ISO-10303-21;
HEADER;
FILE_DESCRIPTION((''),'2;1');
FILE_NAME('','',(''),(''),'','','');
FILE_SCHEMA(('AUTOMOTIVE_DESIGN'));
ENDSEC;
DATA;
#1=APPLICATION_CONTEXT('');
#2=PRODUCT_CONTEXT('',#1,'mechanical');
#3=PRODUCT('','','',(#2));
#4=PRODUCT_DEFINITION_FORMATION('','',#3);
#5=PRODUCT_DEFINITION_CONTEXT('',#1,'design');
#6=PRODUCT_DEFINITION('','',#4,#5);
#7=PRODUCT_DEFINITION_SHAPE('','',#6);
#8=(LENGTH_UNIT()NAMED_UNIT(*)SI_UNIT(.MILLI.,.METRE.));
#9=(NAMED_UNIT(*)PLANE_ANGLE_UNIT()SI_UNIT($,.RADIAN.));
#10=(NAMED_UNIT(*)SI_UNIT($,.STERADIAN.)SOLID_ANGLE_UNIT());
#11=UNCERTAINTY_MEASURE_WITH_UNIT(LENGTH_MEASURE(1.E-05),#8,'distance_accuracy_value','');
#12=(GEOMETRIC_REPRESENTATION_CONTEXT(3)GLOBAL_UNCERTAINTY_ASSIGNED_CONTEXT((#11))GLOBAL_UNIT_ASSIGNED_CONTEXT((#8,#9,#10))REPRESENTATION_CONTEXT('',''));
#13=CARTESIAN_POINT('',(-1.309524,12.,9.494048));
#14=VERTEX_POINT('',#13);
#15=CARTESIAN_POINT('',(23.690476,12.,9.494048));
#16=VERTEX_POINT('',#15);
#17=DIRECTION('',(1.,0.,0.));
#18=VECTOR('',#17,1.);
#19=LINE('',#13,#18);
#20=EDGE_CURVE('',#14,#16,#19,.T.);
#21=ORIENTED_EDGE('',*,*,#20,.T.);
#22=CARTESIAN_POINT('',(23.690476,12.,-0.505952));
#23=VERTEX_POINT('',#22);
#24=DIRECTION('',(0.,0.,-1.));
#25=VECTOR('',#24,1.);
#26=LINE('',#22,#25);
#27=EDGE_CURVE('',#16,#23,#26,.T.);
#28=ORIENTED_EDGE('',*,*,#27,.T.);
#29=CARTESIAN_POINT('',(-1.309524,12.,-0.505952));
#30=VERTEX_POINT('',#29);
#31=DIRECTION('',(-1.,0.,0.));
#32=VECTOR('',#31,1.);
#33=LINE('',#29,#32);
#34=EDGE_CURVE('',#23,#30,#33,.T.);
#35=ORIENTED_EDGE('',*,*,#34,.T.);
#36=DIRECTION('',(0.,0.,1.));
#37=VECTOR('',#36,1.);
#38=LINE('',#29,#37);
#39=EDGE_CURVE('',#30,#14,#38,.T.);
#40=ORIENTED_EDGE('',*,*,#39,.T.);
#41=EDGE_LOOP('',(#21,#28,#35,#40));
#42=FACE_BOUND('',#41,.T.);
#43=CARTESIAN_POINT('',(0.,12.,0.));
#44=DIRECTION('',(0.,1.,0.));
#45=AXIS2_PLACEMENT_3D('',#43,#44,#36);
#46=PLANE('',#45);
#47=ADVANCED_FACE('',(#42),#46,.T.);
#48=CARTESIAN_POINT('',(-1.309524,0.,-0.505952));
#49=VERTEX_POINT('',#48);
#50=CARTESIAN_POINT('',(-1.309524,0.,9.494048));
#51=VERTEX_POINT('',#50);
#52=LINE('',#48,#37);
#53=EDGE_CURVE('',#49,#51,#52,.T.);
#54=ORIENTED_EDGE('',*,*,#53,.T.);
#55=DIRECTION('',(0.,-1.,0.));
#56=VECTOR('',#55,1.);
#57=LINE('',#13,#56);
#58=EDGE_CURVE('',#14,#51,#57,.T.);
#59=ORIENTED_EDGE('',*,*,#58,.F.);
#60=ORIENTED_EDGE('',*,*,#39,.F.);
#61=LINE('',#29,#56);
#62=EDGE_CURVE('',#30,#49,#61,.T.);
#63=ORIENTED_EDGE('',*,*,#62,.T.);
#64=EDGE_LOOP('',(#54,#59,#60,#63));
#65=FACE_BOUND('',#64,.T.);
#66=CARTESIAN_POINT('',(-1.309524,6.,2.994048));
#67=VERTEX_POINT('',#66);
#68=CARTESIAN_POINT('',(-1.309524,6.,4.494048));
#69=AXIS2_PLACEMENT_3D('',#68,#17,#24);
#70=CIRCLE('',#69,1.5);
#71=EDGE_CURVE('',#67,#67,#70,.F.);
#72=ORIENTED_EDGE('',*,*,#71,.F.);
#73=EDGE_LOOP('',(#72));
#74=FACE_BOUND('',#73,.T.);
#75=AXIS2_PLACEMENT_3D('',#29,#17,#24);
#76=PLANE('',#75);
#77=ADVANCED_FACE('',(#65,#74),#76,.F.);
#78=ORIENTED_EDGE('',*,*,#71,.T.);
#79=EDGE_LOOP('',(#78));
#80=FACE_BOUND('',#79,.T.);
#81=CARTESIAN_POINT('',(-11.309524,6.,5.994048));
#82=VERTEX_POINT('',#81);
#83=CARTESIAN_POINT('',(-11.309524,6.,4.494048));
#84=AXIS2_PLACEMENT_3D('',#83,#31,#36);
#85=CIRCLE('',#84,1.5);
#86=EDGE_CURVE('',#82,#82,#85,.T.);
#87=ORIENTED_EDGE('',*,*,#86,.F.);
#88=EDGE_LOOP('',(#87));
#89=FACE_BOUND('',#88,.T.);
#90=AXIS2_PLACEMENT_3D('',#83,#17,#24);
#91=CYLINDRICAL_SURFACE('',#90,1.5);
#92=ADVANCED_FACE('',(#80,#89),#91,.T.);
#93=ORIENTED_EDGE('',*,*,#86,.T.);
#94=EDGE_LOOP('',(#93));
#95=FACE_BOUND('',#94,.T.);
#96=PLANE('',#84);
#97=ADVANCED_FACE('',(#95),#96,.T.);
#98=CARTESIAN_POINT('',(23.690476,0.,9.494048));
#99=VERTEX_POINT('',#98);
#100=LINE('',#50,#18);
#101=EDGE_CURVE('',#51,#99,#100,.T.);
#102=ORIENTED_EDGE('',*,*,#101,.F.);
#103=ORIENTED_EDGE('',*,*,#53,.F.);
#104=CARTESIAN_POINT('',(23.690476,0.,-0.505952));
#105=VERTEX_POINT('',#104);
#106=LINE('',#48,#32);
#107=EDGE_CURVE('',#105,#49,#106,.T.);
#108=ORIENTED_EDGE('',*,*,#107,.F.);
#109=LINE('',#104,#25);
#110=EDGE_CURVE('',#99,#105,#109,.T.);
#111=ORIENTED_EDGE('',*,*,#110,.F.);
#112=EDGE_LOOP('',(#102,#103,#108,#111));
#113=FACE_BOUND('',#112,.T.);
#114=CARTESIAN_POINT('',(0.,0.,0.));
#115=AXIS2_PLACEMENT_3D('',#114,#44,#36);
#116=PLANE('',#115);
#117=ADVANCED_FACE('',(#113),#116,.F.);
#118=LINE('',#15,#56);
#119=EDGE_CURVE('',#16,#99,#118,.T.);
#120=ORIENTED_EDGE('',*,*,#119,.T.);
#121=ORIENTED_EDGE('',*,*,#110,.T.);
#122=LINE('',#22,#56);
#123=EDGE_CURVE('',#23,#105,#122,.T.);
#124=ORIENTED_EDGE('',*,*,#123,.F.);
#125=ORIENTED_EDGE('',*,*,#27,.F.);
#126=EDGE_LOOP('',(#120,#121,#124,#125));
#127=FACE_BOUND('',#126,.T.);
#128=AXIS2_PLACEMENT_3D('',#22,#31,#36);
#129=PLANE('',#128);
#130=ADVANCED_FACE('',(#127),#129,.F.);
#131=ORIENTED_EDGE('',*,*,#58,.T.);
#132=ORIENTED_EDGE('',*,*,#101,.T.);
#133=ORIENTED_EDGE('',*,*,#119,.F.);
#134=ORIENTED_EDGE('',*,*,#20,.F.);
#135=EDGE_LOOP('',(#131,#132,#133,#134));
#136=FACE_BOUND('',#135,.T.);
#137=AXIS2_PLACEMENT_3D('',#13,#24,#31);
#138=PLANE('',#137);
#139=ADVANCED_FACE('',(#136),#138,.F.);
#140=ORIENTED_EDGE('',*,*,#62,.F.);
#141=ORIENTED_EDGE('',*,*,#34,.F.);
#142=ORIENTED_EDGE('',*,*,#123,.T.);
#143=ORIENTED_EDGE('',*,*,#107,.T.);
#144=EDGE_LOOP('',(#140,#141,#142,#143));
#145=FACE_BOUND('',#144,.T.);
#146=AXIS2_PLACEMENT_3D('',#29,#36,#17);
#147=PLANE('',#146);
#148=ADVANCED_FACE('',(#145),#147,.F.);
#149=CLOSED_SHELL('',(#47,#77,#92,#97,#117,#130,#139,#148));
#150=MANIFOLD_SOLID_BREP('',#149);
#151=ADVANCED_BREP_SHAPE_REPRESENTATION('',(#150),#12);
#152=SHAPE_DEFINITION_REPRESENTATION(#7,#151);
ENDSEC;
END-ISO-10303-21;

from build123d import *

# Parameters (mm, degrees)
SKETCH1_W           = 25
SKETCH1_H           = 10
BOSS_EXTRUDE1_DEPTH = 12
SKETCH2_R           = 1.5
BOSS_EXTRUDE2_DEPTH = 10


with BuildPart() as part:
    # Sketch1 → Boss-Extrude1 (new body)
    with BuildSketch(Plane(origin=(0, 0, 0), x_dir=(1, 0, 0), z_dir=(0, 1, 0))):
        with Locations((11.19047619, -4.494047619)):
            Rectangle(SKETCH1_W, SKETCH1_H)
    extrude(amount=BOSS_EXTRUDE1_DEPTH)

    # Sketch2 → Boss-Extrude2 (add)
    with BuildSketch(Plane.ZY.offset(1.30952381)):
        with Locations((4.494047619, 6)):
            Circle(SKETCH2_R)
    extrude(amount=BOSS_EXTRUDE2_DEPTH)


solid = part.part
